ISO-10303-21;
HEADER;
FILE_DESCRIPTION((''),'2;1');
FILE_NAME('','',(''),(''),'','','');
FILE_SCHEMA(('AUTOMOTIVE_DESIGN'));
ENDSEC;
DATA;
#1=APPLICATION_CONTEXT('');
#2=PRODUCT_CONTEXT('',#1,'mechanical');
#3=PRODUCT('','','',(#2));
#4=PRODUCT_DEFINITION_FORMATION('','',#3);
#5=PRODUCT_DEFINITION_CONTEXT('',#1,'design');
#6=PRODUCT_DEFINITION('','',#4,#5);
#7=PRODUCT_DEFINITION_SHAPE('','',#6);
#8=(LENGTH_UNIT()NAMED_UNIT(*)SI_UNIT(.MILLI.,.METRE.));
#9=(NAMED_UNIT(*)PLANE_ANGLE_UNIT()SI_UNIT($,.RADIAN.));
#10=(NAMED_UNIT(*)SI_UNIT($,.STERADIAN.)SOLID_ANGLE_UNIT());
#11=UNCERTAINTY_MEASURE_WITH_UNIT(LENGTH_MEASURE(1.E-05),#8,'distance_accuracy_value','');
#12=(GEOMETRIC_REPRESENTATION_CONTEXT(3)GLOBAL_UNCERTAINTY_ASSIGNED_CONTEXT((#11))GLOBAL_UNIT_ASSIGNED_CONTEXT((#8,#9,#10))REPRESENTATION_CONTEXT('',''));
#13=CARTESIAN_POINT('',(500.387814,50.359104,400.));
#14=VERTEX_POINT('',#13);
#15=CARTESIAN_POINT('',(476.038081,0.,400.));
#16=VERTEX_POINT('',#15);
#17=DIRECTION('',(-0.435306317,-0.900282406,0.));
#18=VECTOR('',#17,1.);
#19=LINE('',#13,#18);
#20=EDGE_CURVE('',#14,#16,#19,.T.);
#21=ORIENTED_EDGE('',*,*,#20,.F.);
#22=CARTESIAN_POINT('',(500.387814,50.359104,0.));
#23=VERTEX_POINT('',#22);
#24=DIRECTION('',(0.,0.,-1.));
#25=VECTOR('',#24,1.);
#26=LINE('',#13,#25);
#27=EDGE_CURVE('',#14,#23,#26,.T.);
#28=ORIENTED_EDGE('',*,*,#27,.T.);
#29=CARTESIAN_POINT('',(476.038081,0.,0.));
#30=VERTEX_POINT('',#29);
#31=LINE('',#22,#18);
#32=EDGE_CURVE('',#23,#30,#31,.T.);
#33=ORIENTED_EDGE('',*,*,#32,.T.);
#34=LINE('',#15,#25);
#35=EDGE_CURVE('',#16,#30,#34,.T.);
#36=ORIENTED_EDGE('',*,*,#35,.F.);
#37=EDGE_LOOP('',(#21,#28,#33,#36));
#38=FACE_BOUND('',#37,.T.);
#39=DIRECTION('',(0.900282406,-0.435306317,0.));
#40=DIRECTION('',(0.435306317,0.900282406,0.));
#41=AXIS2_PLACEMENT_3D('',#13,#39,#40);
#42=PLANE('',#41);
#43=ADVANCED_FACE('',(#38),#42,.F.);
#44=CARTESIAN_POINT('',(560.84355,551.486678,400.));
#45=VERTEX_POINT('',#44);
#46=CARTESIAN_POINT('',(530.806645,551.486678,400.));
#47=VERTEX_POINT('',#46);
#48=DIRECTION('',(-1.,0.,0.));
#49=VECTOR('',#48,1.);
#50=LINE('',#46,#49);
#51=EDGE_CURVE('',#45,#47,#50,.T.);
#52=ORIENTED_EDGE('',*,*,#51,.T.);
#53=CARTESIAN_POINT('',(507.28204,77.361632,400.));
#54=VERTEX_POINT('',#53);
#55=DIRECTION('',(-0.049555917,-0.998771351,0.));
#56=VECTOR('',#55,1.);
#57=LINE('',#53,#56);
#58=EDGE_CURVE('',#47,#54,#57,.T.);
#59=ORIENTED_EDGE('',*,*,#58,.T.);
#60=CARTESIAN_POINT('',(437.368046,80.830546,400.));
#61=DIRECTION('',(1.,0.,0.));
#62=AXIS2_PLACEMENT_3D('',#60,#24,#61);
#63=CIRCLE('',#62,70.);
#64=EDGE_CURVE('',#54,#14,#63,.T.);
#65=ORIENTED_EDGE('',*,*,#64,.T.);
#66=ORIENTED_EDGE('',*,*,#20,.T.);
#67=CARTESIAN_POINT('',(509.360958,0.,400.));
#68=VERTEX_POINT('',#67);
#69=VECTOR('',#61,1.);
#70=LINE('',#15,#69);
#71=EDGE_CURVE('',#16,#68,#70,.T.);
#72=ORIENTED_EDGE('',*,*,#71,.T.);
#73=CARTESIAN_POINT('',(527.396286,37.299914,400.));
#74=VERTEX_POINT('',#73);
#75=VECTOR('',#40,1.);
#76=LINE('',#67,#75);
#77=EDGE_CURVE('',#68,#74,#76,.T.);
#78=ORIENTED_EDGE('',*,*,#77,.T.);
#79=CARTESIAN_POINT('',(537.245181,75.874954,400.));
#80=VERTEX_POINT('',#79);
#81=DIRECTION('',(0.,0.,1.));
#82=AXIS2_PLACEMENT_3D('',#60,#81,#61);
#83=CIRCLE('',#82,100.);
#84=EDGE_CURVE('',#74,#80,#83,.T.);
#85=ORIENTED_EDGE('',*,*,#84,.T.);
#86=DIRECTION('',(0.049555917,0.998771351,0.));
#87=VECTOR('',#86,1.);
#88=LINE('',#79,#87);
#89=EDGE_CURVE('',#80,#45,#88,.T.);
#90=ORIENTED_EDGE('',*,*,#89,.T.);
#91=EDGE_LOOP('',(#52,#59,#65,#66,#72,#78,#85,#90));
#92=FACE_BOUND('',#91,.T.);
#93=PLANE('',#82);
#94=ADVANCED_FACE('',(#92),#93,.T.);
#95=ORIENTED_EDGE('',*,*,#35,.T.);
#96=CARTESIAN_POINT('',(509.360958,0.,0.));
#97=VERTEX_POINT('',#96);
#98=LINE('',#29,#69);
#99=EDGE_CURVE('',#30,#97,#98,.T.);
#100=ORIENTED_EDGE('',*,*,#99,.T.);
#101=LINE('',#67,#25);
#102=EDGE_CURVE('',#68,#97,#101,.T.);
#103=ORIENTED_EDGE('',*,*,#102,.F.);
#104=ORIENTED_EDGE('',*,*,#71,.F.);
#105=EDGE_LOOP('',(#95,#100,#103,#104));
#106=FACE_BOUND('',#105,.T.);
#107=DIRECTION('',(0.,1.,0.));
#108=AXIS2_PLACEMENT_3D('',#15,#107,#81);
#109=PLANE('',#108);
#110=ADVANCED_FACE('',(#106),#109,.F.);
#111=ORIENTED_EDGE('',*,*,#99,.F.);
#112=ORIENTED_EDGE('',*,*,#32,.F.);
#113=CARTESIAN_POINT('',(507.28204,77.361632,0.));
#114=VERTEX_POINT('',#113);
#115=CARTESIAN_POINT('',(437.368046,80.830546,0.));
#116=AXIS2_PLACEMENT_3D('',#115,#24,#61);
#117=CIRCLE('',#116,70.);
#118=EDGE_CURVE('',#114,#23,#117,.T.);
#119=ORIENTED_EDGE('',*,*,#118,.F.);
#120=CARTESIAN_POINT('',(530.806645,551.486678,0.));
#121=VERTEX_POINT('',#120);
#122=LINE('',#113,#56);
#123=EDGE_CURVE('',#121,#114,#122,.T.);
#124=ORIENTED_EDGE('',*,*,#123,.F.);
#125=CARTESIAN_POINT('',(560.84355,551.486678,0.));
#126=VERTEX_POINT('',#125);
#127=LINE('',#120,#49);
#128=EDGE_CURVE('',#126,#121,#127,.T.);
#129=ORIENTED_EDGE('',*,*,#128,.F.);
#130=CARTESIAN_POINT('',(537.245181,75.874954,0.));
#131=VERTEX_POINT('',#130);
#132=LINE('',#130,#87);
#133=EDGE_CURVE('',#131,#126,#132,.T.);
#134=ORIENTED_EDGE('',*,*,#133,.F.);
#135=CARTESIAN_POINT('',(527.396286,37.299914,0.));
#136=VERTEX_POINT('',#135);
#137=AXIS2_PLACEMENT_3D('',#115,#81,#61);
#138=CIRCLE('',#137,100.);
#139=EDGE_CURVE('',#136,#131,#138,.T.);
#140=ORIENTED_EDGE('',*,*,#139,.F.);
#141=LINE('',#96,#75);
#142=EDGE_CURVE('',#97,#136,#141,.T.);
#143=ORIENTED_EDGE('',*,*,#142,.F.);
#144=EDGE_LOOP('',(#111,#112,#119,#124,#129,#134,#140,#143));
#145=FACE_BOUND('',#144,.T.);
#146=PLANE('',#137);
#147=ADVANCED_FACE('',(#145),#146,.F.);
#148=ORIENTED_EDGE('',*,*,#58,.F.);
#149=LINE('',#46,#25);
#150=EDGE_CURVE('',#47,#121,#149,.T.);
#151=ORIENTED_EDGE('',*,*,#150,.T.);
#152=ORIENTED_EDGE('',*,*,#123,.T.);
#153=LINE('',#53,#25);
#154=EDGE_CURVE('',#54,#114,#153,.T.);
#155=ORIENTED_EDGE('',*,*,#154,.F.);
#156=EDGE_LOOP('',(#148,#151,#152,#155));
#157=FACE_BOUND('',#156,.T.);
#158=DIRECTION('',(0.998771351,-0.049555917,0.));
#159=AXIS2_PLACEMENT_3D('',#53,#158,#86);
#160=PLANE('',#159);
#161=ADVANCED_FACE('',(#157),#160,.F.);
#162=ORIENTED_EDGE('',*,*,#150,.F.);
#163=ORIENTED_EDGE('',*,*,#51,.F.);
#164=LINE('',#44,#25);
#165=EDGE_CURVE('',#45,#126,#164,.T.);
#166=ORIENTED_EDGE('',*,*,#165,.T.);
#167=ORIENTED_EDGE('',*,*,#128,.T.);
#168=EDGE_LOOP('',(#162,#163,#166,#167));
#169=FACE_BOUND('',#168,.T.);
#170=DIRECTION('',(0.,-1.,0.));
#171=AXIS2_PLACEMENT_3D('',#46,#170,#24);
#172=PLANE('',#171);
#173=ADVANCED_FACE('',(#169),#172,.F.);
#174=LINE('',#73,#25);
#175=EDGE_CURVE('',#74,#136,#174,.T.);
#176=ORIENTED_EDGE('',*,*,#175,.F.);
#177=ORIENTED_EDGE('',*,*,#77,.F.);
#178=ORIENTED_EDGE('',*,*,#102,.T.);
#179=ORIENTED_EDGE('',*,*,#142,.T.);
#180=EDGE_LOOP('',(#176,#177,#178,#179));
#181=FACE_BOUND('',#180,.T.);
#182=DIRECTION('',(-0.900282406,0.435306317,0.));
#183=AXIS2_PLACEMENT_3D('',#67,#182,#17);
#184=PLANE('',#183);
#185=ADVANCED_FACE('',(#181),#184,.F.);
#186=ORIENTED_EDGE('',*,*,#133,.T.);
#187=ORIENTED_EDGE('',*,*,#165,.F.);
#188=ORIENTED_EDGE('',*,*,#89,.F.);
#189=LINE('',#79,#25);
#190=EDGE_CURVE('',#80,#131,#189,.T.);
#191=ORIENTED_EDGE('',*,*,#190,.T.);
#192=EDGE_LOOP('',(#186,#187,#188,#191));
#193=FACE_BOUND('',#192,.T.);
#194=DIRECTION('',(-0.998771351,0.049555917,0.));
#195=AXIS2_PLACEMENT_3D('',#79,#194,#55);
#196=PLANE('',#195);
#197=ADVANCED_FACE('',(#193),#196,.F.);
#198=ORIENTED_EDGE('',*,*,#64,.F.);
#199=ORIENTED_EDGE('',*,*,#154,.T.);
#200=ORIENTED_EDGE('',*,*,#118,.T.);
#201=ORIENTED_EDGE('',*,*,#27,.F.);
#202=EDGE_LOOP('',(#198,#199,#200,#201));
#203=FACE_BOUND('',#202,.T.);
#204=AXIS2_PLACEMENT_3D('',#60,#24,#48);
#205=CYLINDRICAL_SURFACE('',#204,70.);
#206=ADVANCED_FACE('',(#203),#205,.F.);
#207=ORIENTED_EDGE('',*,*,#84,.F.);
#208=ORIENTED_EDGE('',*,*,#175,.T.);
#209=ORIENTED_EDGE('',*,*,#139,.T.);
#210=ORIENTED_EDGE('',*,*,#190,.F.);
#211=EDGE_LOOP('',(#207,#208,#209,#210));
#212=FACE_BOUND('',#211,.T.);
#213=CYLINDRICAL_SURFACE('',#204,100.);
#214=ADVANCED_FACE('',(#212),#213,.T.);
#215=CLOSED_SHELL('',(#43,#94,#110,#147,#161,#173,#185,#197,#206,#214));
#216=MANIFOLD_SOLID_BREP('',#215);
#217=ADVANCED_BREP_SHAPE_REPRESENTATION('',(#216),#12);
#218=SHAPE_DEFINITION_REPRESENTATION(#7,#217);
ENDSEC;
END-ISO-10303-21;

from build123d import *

# Parameters (mm, degrees)
BOSS_EXTRUDE1_DEPTH = 400


with BuildPart() as part:
    # Sketch1 → Boss-Extrude1 (new body)
    with BuildSketch(Plane.XY):
        with BuildLine():
            Line((530.806644997, 551.486677506), (560.843549817, 551.486677506))
            Line((560.843549817, 551.486677506), (537.245180682, 75.874954447))
            ThreePointArc((537.245180682, 75.874954447), (534.25984792, 56.092344011), (527.396286213, 37.29991447))
            Line((527.396286213, 37.29991447), (509.360958332, 0))
            Line((509.360958332, 0), (476.038081202, 0))
            Line((476.038081202, 0), (500.387814031, 50.359103969))
            ThreePointArc((500.387814031, 50.359103969), (505.192307226, 63.513804648), (507.28204016, 77.361631953))
            Line((507.28204016, 77.361631953), (530.806644997, 551.486677506))
        make_face()
    extrude(amount=BOSS_EXTRUDE1_DEPTH)


solid = part.part
